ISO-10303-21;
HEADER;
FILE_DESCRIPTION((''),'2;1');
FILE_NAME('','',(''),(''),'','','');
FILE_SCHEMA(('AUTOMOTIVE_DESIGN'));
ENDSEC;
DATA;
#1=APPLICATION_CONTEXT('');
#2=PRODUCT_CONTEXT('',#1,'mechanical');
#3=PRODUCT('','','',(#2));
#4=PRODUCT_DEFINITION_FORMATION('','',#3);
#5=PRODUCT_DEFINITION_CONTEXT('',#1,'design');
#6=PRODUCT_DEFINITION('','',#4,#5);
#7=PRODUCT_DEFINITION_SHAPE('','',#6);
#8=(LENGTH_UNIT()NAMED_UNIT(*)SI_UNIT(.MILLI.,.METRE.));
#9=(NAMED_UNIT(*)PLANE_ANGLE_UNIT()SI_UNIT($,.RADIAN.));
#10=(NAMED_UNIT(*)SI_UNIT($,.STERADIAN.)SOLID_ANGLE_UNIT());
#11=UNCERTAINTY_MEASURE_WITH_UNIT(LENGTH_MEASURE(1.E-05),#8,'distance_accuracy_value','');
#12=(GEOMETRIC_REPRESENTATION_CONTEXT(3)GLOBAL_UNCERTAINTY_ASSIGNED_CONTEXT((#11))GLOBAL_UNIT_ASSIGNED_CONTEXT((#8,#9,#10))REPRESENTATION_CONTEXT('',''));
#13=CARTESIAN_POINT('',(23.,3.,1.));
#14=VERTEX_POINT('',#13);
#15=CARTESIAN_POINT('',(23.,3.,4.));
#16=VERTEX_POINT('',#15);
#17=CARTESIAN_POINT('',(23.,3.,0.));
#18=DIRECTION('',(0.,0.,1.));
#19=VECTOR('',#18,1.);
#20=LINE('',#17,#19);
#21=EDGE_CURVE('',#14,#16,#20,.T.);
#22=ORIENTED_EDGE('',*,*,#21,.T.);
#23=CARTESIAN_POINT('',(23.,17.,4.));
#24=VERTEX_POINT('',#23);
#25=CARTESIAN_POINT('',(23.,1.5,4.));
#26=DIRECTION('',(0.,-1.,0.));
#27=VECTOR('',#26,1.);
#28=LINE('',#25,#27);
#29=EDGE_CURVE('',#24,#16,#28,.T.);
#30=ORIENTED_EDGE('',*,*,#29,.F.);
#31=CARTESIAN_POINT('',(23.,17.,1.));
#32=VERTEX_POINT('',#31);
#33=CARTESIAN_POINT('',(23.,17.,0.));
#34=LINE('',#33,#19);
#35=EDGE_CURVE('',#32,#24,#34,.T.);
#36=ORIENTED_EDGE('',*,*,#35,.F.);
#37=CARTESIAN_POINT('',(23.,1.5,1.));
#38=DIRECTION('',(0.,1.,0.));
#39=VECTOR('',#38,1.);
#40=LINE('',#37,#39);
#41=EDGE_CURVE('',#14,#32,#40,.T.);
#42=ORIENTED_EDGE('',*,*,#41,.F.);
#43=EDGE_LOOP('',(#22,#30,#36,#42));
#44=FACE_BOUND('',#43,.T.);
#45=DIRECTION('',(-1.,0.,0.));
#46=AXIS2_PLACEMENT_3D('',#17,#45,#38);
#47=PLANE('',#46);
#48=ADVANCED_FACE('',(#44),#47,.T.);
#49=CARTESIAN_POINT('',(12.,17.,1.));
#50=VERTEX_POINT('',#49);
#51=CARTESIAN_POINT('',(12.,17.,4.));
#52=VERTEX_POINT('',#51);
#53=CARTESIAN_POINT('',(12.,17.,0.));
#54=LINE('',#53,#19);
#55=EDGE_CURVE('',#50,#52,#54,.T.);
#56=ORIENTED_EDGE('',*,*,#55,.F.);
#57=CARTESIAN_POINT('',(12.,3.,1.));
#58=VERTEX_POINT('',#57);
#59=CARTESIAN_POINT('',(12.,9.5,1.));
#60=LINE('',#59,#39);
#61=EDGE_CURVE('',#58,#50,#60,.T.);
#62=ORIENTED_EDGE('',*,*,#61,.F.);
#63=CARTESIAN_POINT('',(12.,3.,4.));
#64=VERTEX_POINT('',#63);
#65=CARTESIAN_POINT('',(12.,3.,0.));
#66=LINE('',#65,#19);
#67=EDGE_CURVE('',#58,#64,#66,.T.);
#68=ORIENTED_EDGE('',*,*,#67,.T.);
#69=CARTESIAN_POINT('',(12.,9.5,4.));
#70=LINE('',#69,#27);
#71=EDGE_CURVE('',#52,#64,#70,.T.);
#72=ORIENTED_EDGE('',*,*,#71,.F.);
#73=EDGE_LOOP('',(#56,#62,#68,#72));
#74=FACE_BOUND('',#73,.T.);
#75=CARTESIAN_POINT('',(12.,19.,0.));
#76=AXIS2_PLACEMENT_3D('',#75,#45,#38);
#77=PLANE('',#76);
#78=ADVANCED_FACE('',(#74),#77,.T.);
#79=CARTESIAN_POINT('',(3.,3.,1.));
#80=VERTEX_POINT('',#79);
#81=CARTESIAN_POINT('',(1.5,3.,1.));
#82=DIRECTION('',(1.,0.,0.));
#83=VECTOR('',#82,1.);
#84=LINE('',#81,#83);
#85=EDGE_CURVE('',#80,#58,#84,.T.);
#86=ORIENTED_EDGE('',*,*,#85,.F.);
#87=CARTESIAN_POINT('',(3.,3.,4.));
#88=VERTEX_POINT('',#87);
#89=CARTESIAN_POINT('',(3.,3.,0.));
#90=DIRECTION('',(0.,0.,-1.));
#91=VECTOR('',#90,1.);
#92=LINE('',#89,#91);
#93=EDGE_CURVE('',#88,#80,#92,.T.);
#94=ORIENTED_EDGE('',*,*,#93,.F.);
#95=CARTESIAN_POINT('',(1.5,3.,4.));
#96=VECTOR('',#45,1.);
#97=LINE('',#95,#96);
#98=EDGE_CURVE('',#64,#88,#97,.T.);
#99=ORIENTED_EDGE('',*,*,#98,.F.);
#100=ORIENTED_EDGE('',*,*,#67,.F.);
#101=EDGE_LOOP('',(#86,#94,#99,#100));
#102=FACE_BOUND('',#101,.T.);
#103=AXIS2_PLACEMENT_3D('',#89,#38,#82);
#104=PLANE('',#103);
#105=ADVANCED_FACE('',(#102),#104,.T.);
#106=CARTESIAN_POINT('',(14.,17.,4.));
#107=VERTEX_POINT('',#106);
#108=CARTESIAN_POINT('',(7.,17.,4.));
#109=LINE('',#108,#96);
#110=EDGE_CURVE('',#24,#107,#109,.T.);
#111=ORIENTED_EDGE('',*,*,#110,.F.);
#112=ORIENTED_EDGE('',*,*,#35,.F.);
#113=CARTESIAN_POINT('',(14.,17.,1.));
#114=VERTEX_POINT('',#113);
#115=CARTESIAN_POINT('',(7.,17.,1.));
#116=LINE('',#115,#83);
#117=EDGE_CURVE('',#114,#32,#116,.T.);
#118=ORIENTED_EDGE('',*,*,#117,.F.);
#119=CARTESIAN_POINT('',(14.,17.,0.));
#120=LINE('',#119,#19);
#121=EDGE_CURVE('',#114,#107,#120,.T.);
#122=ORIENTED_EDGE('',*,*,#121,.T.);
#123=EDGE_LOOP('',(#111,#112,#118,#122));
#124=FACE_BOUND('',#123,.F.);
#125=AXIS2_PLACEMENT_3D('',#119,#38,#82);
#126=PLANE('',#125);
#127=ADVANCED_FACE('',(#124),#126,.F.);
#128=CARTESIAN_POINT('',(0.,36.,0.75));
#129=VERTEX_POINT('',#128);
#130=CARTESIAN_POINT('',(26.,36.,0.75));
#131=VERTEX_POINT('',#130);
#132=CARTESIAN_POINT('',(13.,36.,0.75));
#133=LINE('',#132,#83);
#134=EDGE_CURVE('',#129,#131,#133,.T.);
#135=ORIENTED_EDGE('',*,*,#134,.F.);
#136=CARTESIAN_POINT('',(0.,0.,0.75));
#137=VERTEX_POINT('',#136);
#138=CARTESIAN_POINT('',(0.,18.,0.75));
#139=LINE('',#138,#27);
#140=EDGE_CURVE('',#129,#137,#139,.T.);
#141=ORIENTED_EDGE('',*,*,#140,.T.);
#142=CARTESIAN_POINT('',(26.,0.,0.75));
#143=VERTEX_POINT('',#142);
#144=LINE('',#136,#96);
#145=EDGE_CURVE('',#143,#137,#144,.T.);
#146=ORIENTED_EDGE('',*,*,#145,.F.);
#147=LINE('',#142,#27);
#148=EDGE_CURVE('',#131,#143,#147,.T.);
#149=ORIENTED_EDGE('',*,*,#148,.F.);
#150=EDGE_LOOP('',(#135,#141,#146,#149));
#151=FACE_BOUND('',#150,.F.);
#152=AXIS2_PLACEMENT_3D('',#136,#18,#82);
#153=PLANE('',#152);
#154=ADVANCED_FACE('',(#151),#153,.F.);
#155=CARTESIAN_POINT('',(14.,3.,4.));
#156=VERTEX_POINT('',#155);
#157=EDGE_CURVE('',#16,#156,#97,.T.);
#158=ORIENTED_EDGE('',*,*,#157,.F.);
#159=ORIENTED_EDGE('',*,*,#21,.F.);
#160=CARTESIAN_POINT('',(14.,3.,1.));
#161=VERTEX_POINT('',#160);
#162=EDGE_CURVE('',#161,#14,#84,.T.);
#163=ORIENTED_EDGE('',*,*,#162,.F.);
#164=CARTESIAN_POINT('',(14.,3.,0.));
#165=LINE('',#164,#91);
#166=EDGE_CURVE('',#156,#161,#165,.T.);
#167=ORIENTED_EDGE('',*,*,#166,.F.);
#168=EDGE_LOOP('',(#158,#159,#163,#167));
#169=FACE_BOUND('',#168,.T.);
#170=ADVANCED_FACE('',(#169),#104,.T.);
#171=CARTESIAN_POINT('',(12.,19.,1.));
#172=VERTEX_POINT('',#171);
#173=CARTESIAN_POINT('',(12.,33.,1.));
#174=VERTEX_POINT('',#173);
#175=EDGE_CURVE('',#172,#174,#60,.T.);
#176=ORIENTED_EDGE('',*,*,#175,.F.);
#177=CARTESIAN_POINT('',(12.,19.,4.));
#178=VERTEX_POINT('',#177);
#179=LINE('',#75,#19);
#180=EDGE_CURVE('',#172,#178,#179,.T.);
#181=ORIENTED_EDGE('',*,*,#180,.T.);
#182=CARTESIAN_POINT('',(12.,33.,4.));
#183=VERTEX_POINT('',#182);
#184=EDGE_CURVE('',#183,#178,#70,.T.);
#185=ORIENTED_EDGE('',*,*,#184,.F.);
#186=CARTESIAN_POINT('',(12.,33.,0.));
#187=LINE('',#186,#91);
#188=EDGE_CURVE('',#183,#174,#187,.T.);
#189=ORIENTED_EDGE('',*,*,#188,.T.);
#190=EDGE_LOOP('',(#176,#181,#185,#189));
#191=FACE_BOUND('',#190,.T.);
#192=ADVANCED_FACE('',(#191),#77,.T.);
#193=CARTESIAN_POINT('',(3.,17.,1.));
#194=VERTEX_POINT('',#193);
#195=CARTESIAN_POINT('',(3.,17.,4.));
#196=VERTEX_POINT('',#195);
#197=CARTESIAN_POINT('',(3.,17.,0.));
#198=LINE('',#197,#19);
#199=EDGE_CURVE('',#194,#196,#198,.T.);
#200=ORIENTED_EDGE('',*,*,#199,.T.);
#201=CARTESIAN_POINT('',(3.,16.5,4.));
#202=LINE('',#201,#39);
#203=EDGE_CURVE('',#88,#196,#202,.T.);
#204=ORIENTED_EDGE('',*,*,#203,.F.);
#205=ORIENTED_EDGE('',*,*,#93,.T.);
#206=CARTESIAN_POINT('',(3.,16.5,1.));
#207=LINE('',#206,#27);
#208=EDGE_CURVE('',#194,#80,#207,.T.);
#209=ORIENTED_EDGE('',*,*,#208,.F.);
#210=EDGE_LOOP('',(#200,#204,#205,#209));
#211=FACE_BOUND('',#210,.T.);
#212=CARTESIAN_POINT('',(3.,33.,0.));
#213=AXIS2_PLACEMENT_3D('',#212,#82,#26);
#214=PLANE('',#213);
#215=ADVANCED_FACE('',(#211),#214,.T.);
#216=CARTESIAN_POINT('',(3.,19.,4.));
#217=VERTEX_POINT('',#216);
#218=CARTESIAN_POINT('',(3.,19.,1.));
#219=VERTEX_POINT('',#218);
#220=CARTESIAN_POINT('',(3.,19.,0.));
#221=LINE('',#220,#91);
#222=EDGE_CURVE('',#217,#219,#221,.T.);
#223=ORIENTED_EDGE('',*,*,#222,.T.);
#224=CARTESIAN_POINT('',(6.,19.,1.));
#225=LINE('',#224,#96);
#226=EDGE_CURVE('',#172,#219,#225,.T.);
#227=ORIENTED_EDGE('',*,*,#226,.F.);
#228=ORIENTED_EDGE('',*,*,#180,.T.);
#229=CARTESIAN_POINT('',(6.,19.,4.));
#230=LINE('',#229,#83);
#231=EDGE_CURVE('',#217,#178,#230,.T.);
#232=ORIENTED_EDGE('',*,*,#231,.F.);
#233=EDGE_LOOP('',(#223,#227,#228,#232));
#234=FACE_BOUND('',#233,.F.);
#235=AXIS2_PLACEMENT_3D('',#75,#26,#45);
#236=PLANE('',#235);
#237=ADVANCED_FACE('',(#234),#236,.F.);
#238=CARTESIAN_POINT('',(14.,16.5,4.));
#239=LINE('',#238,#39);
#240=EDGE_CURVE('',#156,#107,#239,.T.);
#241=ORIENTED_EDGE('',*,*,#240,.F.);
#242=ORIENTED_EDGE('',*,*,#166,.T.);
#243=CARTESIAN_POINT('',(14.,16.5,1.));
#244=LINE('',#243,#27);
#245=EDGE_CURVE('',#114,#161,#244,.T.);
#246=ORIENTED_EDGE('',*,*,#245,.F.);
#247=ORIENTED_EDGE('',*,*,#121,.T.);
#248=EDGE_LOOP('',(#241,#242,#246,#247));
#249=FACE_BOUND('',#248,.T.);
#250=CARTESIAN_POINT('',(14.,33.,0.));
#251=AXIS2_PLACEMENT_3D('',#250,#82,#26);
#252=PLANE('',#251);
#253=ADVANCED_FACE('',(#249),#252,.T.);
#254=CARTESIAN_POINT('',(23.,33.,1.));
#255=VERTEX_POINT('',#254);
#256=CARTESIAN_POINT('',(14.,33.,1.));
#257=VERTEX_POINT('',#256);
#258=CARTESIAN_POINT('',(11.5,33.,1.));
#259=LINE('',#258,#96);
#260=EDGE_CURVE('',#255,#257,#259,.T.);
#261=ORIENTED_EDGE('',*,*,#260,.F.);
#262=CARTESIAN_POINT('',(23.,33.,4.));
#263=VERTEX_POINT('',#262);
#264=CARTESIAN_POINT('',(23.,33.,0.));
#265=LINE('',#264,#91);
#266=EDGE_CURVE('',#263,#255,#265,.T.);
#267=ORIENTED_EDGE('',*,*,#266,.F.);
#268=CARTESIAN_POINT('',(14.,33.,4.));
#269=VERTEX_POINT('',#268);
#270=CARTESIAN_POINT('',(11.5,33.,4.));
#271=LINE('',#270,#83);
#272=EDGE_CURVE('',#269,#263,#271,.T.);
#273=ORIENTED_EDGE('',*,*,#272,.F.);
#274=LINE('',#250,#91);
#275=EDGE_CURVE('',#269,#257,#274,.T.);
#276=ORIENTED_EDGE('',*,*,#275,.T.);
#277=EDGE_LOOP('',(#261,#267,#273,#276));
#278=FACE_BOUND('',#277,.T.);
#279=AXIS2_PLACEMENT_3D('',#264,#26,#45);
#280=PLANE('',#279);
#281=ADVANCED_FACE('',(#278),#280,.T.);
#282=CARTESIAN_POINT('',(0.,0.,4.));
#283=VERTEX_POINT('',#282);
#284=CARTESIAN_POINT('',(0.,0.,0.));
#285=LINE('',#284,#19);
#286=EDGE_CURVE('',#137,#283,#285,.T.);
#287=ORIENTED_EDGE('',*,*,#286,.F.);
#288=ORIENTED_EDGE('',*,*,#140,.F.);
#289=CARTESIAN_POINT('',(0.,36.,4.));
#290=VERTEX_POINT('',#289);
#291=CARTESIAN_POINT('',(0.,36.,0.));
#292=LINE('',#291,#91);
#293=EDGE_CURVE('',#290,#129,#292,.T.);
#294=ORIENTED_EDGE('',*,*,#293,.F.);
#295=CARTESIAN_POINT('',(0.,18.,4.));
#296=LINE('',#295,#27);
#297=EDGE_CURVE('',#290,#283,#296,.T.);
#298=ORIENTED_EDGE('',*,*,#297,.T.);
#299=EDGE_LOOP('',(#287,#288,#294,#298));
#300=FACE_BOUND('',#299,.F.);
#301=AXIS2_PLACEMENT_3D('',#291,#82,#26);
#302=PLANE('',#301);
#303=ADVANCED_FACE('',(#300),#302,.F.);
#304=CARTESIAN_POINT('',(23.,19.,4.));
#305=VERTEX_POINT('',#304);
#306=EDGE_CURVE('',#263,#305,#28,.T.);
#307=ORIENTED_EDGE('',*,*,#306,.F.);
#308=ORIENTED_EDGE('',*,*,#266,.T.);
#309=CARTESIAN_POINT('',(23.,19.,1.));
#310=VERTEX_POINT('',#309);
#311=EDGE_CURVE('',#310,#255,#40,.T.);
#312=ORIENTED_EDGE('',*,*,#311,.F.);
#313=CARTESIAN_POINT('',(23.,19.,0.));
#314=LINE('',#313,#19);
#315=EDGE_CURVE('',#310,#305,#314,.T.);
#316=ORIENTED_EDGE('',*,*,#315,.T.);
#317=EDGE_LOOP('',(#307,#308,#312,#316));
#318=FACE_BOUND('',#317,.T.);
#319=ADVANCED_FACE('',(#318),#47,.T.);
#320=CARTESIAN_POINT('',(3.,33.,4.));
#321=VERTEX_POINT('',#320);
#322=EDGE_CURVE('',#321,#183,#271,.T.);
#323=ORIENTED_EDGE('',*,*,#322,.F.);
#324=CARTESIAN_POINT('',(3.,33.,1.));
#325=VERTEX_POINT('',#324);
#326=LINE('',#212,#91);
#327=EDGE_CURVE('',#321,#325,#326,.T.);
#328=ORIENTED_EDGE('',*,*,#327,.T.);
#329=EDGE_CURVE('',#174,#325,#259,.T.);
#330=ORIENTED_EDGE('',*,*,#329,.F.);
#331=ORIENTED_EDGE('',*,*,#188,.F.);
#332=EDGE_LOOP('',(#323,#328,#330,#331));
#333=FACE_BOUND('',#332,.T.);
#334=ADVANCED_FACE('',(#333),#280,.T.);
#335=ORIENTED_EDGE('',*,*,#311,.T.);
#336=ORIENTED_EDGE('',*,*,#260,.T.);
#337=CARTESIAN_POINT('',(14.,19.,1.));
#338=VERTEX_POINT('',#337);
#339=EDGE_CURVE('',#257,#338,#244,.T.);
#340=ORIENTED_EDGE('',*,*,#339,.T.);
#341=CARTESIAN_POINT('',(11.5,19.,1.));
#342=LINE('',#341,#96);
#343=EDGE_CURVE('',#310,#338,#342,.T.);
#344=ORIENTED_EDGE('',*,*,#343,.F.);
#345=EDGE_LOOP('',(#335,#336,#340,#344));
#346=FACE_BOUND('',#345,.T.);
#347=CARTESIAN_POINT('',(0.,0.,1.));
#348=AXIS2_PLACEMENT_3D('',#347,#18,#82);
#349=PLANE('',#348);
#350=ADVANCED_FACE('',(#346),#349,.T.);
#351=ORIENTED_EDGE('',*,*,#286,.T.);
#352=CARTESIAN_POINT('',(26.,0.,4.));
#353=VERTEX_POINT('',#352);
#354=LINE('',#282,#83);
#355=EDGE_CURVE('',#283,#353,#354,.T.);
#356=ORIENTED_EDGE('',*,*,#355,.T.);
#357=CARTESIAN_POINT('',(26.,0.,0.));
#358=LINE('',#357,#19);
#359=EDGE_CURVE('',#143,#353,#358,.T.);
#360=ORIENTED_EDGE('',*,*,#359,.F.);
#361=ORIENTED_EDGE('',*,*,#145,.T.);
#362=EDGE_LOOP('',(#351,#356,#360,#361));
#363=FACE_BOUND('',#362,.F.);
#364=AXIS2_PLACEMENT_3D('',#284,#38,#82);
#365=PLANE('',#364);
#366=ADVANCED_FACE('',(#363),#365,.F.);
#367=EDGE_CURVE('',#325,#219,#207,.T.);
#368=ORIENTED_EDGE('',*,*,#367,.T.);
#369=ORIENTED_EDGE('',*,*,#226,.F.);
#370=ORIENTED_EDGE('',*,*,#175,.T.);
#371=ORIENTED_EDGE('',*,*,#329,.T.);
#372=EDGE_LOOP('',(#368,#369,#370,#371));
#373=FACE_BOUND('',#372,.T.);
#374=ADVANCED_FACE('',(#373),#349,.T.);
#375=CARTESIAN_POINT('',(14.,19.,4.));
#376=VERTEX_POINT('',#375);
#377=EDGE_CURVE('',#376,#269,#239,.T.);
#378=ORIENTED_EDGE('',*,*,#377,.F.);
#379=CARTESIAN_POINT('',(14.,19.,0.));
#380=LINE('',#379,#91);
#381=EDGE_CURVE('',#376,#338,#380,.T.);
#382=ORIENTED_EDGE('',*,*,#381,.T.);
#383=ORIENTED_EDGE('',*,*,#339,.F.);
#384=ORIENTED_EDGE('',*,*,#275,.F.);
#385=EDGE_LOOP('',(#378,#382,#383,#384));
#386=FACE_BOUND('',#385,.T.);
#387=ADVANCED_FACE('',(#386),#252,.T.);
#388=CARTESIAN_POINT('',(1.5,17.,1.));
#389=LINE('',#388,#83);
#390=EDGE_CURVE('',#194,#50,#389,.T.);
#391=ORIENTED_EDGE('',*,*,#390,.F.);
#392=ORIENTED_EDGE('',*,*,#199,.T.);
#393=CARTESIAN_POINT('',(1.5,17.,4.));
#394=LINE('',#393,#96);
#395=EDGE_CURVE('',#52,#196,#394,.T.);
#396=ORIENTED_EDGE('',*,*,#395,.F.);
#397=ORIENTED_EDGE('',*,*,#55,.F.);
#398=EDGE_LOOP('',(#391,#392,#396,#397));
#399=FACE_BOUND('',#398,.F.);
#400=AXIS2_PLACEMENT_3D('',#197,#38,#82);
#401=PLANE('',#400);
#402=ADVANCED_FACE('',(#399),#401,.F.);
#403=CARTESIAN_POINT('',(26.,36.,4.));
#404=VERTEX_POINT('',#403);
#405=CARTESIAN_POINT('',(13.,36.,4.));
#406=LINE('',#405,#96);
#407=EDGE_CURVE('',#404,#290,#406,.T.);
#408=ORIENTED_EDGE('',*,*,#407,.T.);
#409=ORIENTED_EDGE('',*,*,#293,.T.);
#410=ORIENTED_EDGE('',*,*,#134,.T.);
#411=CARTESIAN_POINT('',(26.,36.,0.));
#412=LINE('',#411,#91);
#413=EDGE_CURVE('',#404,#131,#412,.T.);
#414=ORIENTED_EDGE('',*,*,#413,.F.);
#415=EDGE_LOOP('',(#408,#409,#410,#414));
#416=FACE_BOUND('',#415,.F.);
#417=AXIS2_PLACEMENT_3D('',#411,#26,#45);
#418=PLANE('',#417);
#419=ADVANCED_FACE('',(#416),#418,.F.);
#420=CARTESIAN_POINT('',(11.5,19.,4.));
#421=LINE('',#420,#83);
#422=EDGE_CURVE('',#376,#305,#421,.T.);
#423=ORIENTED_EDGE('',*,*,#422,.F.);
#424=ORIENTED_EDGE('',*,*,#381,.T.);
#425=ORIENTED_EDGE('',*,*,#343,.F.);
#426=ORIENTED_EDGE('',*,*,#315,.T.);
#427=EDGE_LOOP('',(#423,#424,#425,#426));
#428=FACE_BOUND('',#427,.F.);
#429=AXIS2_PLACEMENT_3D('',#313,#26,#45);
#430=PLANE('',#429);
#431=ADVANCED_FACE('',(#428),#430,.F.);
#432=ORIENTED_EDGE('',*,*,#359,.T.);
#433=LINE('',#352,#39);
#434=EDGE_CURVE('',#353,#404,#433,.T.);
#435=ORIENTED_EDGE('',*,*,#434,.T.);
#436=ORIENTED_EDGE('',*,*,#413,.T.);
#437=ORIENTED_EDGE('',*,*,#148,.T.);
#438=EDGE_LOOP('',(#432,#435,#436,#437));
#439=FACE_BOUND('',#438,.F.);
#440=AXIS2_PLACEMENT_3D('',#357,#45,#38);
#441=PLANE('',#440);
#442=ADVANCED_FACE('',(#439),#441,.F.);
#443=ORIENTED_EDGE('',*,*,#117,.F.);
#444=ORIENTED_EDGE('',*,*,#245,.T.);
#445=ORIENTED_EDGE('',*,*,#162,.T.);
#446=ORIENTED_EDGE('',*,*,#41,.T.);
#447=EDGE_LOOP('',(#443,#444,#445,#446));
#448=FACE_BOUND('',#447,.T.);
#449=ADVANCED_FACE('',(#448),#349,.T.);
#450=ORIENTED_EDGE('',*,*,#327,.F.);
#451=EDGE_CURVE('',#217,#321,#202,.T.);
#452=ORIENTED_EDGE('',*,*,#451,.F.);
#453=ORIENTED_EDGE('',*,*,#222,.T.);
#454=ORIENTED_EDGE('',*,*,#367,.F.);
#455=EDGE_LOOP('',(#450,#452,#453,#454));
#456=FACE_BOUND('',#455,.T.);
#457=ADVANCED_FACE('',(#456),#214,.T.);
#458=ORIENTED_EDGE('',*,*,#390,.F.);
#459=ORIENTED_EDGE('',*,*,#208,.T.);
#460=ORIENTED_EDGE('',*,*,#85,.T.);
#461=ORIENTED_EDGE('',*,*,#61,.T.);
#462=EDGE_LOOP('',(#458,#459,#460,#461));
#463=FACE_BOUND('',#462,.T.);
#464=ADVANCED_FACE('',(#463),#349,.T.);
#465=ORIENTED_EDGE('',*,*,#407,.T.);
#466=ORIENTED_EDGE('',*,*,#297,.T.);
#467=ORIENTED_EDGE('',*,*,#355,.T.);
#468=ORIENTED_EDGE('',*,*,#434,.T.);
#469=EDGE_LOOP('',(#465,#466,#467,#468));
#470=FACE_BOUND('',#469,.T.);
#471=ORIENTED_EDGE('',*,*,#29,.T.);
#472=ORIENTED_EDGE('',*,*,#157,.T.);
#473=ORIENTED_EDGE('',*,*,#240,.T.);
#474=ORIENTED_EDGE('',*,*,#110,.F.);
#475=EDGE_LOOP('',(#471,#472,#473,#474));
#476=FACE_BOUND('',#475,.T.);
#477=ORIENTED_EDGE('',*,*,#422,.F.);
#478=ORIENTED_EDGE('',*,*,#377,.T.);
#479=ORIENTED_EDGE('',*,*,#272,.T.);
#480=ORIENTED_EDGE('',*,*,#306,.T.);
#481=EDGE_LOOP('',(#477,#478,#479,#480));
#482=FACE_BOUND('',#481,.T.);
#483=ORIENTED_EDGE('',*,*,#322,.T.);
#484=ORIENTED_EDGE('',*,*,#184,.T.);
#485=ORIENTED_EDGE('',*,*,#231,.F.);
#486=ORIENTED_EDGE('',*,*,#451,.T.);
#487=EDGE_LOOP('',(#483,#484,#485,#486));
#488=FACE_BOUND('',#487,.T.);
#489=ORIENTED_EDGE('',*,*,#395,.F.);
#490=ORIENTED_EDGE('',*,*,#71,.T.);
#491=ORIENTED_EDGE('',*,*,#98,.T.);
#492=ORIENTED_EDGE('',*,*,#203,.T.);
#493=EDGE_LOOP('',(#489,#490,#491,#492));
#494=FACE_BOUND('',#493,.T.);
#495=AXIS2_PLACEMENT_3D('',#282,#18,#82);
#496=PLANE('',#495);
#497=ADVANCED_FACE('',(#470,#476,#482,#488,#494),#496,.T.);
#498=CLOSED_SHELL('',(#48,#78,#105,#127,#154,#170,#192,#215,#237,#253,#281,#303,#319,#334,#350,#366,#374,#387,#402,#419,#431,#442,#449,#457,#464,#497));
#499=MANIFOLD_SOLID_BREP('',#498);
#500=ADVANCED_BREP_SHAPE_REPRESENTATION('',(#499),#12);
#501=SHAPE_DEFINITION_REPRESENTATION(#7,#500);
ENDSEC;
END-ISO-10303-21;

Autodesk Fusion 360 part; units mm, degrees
sketch "Sketch1" plane through (0, 0, 0) normal (0, 0, 1) x (1, 0, 0)
  line L0 (0, 0) -> (26, 0)
  line L1 (26, 0) -> (26, 36)
  line L2 (26, 36) -> (0, 36)
  line L3 (0, 36) -> (0, 0)
  line L4 (3, 3) -> (23, 3)
  line L5 (3, 33) -> (3, 3)
  line L6 (23, 3) -> (23, 33)
  line L7 (23, 33) -> (3, 33)
  dimension "d2" = 30
sketch "Sketch3" plane through (0, 0, 0) normal (0, 0, 1) x (1, 0, 0)
  line L0 (12, 33) -> (14, 33)
  line L1 (14, 33) -> (14, 3)
  line L2 (14, 3) -> (12, 3)
  line L3 (12, 3) -> (12, 33)
  line L4 (23, 19) -> (3, 19)
  line L5 (3, 19) -> (3, 17)
  line L6 (3, 17) -> (23, 17)
  line L7 (23, 17) -> (23, 19)
extrude "Extrude1" add sketch "Sketch1" along normal blind 4
extrude "Extrude5" add sketch "Sketch3" along normal blind 4 contours L0 L1 L3 L4 | L1 L3 L4 L6 | L1 L2 L3 L6
extrude "Extrude6" add sketch "Sketch3" along normal blind 4 contours L3 L4 L5 L6
extrude "Extrude7" add sketch "Sketch3" along normal blind 4 contours L1 L4 L6 L7
sketch "Sketch5" plane through (0, 0, 0) normal (0, 0, 1) x (1, 0, 0)
  line L0 (26, 36) -> (0, 36)
  line L1 (0, 0) -> (26, 0)
  line L2 (0, 36) -> (0, 0)
  line L3 (26, 0) -> (26, 36)
extrude "Extrude9" add sketch "Sketch5" along normal blind 1
move_face "OffsetFaces1" offset -0.75 1 faces at (8.6667, 24, 0)
extrude "Extrude8" [suppressed]
extrude "Extrude4" [suppressed]
extrude "Extrude3" [suppressed]
extrude "Extrude2" [suppressed]
